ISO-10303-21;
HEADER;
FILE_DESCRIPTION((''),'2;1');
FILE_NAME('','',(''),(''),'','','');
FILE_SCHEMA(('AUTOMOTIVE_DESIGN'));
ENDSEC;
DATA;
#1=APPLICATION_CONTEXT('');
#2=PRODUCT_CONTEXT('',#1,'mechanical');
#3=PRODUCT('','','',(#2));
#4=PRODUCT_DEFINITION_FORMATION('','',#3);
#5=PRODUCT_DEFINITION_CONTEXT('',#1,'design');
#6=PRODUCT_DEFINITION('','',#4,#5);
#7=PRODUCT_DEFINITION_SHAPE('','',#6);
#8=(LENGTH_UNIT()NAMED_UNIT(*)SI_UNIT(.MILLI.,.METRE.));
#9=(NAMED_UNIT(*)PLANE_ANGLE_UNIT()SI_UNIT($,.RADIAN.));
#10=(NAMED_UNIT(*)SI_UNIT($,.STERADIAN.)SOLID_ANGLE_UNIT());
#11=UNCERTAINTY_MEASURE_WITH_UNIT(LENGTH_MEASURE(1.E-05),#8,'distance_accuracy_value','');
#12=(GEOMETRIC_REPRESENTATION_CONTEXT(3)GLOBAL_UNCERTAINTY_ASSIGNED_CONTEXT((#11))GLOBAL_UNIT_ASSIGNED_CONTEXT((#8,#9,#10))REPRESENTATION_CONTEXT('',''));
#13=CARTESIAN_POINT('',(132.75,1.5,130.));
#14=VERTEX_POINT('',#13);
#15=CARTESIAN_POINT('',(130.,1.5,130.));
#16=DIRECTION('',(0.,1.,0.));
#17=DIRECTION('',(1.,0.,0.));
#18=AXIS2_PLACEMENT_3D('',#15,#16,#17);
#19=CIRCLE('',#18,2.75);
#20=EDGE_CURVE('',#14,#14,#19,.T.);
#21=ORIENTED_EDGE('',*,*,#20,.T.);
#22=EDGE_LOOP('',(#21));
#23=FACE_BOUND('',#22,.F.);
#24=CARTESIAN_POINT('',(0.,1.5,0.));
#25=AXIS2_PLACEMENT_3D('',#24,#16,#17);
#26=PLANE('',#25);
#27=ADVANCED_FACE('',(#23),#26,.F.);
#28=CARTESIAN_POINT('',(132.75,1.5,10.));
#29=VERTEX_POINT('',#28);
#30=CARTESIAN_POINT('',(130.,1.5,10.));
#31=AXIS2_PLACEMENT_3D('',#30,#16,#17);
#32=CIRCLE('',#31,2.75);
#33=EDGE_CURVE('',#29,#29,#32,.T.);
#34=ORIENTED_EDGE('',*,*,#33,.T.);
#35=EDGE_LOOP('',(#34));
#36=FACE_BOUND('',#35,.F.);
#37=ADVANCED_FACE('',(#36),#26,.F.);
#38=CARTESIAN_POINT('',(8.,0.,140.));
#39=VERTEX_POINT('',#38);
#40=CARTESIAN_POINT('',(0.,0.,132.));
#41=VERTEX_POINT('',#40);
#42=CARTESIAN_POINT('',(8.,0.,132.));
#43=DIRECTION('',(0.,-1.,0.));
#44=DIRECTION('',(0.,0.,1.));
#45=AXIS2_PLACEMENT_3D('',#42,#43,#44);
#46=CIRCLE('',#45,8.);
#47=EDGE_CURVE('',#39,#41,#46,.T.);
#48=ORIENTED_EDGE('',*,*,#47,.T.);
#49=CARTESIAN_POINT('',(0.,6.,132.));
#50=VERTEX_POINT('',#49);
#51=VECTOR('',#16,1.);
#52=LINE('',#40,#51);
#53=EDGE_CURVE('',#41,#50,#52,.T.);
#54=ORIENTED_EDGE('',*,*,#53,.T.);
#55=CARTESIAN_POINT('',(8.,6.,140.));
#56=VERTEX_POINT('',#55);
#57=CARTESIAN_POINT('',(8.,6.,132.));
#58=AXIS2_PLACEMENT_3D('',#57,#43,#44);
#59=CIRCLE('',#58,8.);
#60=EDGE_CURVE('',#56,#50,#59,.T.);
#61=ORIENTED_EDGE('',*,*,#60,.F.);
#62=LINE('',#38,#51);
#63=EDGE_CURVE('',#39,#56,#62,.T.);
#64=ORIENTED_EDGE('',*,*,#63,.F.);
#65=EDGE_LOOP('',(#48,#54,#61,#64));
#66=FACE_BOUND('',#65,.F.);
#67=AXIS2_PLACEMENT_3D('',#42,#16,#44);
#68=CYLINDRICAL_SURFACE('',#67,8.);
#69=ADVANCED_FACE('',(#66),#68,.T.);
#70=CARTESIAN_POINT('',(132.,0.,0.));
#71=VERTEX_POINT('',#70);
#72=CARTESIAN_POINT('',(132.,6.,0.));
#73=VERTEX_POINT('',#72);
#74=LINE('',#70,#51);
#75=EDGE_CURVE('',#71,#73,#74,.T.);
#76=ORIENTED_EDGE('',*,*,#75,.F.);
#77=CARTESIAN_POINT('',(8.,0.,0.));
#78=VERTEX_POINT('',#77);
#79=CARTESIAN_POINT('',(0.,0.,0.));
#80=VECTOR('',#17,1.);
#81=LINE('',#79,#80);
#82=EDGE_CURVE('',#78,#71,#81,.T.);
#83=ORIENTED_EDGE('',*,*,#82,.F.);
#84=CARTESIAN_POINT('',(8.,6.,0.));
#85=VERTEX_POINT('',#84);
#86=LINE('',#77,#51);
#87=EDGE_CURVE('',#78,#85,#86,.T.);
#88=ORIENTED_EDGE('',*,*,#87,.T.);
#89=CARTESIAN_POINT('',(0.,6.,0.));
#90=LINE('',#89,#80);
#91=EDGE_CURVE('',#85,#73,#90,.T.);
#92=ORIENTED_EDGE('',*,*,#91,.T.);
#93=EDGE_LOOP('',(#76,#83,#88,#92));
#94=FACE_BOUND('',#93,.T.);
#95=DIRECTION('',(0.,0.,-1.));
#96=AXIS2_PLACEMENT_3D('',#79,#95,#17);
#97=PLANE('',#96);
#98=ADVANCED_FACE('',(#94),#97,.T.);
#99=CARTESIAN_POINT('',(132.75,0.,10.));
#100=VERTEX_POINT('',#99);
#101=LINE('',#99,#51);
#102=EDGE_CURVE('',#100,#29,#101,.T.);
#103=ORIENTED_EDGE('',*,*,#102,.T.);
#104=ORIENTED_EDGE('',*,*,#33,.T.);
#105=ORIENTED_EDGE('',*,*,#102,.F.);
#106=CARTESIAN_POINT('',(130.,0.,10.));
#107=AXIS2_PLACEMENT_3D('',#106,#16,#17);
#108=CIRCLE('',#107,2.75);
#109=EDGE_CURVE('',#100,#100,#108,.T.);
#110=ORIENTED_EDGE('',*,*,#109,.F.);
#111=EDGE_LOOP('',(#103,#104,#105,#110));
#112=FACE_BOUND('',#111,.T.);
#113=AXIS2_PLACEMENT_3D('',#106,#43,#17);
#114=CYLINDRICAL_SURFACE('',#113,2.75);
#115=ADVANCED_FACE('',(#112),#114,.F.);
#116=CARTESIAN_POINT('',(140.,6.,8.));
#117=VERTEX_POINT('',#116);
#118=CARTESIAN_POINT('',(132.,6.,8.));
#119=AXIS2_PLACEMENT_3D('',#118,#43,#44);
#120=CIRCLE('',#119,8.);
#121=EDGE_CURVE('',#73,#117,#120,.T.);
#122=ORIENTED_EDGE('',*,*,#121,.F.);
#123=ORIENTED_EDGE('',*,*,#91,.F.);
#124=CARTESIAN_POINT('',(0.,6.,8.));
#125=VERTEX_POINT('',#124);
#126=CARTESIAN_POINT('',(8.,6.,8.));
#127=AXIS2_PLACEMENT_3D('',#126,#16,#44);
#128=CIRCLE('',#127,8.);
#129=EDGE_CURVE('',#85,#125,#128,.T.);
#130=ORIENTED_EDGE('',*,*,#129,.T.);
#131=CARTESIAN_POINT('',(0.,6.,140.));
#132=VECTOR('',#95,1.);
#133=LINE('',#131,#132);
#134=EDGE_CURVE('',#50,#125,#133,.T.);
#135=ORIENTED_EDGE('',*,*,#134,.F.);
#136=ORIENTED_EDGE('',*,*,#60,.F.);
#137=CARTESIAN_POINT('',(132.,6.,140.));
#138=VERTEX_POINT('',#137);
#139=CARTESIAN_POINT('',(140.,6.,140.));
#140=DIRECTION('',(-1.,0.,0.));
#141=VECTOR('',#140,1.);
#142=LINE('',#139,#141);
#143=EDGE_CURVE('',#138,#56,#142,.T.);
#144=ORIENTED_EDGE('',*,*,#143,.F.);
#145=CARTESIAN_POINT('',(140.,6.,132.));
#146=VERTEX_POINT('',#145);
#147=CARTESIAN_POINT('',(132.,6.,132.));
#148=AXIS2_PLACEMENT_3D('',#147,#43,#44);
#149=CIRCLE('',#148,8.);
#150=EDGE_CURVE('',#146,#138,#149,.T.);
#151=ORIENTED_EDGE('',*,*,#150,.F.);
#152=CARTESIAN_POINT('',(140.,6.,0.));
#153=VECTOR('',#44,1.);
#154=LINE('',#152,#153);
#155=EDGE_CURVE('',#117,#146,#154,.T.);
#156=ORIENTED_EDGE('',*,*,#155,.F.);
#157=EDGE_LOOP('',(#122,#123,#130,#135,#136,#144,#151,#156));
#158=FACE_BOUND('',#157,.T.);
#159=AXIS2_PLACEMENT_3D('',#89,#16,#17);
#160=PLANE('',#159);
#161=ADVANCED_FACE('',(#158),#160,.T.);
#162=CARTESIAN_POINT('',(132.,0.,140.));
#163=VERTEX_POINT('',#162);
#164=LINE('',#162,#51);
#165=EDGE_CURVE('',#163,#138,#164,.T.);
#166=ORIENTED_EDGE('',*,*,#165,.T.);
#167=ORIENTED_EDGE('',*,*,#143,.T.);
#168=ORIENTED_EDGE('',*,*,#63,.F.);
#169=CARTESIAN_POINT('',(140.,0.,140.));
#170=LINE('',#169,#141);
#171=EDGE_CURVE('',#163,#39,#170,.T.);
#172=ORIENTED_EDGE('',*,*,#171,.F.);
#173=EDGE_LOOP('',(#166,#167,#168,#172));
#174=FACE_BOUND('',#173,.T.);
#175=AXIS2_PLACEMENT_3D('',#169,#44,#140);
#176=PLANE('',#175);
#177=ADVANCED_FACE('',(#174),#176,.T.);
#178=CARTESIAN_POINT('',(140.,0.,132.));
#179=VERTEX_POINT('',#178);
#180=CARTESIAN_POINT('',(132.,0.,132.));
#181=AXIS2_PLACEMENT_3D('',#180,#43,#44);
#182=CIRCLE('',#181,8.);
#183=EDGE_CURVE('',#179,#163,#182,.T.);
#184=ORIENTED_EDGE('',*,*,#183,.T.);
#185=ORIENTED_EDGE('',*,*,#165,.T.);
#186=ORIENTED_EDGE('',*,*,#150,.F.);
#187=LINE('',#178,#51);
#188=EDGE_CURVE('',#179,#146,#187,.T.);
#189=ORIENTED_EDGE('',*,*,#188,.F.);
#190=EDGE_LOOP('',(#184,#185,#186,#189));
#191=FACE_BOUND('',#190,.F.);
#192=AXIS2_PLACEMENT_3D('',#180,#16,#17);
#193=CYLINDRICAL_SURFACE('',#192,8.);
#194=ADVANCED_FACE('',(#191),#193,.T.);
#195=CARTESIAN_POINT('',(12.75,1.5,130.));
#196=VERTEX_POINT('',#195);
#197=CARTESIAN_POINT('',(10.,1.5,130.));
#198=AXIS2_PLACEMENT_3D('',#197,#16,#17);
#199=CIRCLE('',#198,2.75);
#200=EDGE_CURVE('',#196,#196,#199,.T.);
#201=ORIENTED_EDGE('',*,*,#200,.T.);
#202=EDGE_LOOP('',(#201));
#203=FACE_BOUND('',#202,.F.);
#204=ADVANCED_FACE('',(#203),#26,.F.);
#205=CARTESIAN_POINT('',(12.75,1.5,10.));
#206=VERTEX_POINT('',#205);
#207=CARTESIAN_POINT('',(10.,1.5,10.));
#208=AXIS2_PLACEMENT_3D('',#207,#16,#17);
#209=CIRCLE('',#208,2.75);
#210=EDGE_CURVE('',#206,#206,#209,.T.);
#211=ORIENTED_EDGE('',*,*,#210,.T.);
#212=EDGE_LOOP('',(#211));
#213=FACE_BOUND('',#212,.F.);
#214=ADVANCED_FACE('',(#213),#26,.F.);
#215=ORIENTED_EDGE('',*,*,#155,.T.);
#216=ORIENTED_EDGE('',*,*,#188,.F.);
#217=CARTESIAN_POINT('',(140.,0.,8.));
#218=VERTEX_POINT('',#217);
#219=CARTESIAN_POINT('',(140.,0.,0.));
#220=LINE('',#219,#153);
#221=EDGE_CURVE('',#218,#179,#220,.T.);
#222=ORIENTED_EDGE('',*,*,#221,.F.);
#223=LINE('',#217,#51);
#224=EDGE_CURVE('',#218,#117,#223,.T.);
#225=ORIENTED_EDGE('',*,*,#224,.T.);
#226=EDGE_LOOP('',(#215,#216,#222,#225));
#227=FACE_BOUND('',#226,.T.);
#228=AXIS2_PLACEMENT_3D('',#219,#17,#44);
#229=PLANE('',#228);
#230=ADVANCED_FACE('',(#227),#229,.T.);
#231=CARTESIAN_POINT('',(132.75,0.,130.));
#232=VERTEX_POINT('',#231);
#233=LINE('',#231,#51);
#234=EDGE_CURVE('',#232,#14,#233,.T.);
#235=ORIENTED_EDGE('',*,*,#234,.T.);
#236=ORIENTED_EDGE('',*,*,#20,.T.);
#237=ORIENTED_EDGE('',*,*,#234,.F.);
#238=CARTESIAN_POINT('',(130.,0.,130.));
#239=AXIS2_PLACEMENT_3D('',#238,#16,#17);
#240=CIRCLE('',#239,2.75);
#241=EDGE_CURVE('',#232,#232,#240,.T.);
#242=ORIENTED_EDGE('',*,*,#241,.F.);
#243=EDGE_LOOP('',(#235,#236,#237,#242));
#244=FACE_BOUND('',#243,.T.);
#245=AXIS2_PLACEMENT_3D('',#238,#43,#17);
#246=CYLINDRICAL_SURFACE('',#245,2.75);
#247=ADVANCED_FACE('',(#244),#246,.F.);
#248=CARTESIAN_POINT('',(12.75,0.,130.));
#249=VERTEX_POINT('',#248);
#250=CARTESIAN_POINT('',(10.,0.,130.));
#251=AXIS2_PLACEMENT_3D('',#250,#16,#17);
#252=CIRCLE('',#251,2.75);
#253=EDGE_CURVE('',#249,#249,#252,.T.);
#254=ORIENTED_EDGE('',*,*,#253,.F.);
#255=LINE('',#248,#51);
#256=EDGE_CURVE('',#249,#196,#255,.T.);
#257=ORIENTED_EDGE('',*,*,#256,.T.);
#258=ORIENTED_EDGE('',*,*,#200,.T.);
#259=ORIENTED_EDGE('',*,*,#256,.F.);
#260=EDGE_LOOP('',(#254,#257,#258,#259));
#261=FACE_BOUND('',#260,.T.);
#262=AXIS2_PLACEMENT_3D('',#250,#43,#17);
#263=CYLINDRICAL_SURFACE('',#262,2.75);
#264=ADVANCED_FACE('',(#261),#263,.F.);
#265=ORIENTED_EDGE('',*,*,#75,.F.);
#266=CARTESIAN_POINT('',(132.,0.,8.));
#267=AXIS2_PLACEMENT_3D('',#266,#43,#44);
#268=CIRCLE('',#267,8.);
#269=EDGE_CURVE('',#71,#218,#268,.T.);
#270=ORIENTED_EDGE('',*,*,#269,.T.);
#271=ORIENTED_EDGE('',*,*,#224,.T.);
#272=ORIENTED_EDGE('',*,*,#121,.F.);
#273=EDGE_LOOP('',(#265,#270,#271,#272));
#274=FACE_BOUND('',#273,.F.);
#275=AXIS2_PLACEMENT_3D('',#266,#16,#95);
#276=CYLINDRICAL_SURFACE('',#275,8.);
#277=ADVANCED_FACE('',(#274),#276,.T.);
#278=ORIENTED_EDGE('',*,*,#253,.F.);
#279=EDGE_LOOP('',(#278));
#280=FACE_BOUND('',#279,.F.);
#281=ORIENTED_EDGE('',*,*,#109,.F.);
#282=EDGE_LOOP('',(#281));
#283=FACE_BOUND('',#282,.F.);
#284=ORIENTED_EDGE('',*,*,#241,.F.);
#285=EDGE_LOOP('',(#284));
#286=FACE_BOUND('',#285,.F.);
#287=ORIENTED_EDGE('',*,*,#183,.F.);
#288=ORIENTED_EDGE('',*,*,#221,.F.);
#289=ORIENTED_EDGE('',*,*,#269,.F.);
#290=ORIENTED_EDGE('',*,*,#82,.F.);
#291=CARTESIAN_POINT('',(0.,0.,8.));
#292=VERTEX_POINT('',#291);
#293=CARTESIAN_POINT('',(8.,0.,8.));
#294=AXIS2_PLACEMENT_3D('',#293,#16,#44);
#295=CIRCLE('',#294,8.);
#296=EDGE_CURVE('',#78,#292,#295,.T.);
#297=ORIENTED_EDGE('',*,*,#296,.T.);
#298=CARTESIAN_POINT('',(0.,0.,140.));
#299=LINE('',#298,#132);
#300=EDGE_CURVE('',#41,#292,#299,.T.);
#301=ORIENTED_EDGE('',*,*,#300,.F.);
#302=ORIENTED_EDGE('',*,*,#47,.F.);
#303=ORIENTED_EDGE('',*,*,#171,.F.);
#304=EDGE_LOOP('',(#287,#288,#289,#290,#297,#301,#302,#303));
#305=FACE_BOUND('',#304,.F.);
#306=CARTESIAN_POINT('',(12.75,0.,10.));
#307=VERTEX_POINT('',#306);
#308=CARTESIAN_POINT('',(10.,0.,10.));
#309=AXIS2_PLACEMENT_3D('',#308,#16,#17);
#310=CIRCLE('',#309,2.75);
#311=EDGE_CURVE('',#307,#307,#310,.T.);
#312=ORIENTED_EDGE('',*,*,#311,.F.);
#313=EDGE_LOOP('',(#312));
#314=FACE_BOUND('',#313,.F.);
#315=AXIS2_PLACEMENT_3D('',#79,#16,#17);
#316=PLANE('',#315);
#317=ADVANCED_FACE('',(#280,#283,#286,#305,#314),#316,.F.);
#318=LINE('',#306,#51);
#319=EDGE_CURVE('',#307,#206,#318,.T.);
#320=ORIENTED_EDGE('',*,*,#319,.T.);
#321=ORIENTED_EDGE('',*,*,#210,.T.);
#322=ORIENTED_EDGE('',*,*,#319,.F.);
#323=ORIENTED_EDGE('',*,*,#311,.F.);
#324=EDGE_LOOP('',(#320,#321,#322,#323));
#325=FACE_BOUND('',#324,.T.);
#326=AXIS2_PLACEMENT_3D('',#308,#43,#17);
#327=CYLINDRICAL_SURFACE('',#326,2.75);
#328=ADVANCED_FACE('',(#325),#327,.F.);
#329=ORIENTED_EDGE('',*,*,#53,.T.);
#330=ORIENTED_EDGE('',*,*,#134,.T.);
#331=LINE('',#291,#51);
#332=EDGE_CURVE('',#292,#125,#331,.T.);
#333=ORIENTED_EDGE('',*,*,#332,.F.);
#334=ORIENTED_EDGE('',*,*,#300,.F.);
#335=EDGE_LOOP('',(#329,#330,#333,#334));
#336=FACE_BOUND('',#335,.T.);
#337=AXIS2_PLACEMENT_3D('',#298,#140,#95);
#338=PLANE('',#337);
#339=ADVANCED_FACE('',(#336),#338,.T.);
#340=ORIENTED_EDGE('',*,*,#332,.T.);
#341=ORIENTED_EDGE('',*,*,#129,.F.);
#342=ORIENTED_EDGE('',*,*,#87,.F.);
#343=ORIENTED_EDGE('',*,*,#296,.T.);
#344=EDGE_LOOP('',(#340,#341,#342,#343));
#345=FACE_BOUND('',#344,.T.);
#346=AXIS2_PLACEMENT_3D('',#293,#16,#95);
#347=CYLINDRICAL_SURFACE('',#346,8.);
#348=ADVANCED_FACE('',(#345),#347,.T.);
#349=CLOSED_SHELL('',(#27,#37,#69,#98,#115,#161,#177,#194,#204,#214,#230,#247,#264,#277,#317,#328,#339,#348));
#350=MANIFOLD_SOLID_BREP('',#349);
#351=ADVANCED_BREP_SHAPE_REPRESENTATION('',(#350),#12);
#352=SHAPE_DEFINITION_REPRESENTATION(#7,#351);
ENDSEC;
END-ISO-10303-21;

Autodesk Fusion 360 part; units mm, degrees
sketch "Bottom Access Panel" plane through (0, 0, 0) normal (0, 1, 0) x (1, 0, 0)
  line L0 (0, 0) -> (140, 0)
  line L1 (140, 0) -> (140, -140)
  line L2 (140, -140) -> (0, -140)
  line L3 (0, -140) -> (0, 0)
  dimension "d1" = 140
  dimension "d2" = 140
extrude "Extrude1" add sketch "Bottom Access Panel" along normal blind 6
fillet "Fillet1" radius 8 4 edges at (0, 3, 140) (140, 3, 140) (140, 3, 0) (0, 3, 0)
sketch "Magnet Holes" plane through (0, 0, 0) normal (0, 1, 0) x (1, 0, 0)
  arc A0 (8, 0) -> (0, -8) centre (8, -8) ccw
  line L0 (8, 0) -> (132, 0)
  arc A1 (140, -8) -> (132, 0) centre (132, -8) ccw
  line L1 (140, -8) -> (140, -132)
  arc A2 (132, -140) -> (140, -132) centre (132, -132) ccw
  line L2 (132, -140) -> (8, -140)
  arc A3 (0, -132) -> (8, -140) centre (8, -132) ccw
  line L3 (0, -132) -> (0, -8)
  circle A4 centre (10, -130) radius 2.75
  circle A5 centre (130, -130) radius 2.75
  circle A6 centre (10, -10) radius 2.75
  circle A7 centre (130, -10) radius 2.75
  dimension "d20" = 5.5
  dimension "d21" = 5.5
  dimension "d22" = 5.5
  dimension "d23" = 5.5
  dimension "d24" = 10
  dimension "d25" = 10
  dimension "d26" = 10
  dimension "d27" = 10
  dimension "d28" = 10
  dimension "d29" = 10
  dimension "d30" = 10
  dimension "d31" = 10
extrude "Extrude3" cut sketch "Magnet Holes" along normal blind 1.5 contours A4 | A5 | A6 | A7
equation "mdfThickness = 6 mm" comment "Thickness of the MDF fibre board"
equation "d4 = mdfThickness"
equation "filletRadius = 8 mm" comment "Radius to use for fillets"
equation "d15 = filletRadius"
